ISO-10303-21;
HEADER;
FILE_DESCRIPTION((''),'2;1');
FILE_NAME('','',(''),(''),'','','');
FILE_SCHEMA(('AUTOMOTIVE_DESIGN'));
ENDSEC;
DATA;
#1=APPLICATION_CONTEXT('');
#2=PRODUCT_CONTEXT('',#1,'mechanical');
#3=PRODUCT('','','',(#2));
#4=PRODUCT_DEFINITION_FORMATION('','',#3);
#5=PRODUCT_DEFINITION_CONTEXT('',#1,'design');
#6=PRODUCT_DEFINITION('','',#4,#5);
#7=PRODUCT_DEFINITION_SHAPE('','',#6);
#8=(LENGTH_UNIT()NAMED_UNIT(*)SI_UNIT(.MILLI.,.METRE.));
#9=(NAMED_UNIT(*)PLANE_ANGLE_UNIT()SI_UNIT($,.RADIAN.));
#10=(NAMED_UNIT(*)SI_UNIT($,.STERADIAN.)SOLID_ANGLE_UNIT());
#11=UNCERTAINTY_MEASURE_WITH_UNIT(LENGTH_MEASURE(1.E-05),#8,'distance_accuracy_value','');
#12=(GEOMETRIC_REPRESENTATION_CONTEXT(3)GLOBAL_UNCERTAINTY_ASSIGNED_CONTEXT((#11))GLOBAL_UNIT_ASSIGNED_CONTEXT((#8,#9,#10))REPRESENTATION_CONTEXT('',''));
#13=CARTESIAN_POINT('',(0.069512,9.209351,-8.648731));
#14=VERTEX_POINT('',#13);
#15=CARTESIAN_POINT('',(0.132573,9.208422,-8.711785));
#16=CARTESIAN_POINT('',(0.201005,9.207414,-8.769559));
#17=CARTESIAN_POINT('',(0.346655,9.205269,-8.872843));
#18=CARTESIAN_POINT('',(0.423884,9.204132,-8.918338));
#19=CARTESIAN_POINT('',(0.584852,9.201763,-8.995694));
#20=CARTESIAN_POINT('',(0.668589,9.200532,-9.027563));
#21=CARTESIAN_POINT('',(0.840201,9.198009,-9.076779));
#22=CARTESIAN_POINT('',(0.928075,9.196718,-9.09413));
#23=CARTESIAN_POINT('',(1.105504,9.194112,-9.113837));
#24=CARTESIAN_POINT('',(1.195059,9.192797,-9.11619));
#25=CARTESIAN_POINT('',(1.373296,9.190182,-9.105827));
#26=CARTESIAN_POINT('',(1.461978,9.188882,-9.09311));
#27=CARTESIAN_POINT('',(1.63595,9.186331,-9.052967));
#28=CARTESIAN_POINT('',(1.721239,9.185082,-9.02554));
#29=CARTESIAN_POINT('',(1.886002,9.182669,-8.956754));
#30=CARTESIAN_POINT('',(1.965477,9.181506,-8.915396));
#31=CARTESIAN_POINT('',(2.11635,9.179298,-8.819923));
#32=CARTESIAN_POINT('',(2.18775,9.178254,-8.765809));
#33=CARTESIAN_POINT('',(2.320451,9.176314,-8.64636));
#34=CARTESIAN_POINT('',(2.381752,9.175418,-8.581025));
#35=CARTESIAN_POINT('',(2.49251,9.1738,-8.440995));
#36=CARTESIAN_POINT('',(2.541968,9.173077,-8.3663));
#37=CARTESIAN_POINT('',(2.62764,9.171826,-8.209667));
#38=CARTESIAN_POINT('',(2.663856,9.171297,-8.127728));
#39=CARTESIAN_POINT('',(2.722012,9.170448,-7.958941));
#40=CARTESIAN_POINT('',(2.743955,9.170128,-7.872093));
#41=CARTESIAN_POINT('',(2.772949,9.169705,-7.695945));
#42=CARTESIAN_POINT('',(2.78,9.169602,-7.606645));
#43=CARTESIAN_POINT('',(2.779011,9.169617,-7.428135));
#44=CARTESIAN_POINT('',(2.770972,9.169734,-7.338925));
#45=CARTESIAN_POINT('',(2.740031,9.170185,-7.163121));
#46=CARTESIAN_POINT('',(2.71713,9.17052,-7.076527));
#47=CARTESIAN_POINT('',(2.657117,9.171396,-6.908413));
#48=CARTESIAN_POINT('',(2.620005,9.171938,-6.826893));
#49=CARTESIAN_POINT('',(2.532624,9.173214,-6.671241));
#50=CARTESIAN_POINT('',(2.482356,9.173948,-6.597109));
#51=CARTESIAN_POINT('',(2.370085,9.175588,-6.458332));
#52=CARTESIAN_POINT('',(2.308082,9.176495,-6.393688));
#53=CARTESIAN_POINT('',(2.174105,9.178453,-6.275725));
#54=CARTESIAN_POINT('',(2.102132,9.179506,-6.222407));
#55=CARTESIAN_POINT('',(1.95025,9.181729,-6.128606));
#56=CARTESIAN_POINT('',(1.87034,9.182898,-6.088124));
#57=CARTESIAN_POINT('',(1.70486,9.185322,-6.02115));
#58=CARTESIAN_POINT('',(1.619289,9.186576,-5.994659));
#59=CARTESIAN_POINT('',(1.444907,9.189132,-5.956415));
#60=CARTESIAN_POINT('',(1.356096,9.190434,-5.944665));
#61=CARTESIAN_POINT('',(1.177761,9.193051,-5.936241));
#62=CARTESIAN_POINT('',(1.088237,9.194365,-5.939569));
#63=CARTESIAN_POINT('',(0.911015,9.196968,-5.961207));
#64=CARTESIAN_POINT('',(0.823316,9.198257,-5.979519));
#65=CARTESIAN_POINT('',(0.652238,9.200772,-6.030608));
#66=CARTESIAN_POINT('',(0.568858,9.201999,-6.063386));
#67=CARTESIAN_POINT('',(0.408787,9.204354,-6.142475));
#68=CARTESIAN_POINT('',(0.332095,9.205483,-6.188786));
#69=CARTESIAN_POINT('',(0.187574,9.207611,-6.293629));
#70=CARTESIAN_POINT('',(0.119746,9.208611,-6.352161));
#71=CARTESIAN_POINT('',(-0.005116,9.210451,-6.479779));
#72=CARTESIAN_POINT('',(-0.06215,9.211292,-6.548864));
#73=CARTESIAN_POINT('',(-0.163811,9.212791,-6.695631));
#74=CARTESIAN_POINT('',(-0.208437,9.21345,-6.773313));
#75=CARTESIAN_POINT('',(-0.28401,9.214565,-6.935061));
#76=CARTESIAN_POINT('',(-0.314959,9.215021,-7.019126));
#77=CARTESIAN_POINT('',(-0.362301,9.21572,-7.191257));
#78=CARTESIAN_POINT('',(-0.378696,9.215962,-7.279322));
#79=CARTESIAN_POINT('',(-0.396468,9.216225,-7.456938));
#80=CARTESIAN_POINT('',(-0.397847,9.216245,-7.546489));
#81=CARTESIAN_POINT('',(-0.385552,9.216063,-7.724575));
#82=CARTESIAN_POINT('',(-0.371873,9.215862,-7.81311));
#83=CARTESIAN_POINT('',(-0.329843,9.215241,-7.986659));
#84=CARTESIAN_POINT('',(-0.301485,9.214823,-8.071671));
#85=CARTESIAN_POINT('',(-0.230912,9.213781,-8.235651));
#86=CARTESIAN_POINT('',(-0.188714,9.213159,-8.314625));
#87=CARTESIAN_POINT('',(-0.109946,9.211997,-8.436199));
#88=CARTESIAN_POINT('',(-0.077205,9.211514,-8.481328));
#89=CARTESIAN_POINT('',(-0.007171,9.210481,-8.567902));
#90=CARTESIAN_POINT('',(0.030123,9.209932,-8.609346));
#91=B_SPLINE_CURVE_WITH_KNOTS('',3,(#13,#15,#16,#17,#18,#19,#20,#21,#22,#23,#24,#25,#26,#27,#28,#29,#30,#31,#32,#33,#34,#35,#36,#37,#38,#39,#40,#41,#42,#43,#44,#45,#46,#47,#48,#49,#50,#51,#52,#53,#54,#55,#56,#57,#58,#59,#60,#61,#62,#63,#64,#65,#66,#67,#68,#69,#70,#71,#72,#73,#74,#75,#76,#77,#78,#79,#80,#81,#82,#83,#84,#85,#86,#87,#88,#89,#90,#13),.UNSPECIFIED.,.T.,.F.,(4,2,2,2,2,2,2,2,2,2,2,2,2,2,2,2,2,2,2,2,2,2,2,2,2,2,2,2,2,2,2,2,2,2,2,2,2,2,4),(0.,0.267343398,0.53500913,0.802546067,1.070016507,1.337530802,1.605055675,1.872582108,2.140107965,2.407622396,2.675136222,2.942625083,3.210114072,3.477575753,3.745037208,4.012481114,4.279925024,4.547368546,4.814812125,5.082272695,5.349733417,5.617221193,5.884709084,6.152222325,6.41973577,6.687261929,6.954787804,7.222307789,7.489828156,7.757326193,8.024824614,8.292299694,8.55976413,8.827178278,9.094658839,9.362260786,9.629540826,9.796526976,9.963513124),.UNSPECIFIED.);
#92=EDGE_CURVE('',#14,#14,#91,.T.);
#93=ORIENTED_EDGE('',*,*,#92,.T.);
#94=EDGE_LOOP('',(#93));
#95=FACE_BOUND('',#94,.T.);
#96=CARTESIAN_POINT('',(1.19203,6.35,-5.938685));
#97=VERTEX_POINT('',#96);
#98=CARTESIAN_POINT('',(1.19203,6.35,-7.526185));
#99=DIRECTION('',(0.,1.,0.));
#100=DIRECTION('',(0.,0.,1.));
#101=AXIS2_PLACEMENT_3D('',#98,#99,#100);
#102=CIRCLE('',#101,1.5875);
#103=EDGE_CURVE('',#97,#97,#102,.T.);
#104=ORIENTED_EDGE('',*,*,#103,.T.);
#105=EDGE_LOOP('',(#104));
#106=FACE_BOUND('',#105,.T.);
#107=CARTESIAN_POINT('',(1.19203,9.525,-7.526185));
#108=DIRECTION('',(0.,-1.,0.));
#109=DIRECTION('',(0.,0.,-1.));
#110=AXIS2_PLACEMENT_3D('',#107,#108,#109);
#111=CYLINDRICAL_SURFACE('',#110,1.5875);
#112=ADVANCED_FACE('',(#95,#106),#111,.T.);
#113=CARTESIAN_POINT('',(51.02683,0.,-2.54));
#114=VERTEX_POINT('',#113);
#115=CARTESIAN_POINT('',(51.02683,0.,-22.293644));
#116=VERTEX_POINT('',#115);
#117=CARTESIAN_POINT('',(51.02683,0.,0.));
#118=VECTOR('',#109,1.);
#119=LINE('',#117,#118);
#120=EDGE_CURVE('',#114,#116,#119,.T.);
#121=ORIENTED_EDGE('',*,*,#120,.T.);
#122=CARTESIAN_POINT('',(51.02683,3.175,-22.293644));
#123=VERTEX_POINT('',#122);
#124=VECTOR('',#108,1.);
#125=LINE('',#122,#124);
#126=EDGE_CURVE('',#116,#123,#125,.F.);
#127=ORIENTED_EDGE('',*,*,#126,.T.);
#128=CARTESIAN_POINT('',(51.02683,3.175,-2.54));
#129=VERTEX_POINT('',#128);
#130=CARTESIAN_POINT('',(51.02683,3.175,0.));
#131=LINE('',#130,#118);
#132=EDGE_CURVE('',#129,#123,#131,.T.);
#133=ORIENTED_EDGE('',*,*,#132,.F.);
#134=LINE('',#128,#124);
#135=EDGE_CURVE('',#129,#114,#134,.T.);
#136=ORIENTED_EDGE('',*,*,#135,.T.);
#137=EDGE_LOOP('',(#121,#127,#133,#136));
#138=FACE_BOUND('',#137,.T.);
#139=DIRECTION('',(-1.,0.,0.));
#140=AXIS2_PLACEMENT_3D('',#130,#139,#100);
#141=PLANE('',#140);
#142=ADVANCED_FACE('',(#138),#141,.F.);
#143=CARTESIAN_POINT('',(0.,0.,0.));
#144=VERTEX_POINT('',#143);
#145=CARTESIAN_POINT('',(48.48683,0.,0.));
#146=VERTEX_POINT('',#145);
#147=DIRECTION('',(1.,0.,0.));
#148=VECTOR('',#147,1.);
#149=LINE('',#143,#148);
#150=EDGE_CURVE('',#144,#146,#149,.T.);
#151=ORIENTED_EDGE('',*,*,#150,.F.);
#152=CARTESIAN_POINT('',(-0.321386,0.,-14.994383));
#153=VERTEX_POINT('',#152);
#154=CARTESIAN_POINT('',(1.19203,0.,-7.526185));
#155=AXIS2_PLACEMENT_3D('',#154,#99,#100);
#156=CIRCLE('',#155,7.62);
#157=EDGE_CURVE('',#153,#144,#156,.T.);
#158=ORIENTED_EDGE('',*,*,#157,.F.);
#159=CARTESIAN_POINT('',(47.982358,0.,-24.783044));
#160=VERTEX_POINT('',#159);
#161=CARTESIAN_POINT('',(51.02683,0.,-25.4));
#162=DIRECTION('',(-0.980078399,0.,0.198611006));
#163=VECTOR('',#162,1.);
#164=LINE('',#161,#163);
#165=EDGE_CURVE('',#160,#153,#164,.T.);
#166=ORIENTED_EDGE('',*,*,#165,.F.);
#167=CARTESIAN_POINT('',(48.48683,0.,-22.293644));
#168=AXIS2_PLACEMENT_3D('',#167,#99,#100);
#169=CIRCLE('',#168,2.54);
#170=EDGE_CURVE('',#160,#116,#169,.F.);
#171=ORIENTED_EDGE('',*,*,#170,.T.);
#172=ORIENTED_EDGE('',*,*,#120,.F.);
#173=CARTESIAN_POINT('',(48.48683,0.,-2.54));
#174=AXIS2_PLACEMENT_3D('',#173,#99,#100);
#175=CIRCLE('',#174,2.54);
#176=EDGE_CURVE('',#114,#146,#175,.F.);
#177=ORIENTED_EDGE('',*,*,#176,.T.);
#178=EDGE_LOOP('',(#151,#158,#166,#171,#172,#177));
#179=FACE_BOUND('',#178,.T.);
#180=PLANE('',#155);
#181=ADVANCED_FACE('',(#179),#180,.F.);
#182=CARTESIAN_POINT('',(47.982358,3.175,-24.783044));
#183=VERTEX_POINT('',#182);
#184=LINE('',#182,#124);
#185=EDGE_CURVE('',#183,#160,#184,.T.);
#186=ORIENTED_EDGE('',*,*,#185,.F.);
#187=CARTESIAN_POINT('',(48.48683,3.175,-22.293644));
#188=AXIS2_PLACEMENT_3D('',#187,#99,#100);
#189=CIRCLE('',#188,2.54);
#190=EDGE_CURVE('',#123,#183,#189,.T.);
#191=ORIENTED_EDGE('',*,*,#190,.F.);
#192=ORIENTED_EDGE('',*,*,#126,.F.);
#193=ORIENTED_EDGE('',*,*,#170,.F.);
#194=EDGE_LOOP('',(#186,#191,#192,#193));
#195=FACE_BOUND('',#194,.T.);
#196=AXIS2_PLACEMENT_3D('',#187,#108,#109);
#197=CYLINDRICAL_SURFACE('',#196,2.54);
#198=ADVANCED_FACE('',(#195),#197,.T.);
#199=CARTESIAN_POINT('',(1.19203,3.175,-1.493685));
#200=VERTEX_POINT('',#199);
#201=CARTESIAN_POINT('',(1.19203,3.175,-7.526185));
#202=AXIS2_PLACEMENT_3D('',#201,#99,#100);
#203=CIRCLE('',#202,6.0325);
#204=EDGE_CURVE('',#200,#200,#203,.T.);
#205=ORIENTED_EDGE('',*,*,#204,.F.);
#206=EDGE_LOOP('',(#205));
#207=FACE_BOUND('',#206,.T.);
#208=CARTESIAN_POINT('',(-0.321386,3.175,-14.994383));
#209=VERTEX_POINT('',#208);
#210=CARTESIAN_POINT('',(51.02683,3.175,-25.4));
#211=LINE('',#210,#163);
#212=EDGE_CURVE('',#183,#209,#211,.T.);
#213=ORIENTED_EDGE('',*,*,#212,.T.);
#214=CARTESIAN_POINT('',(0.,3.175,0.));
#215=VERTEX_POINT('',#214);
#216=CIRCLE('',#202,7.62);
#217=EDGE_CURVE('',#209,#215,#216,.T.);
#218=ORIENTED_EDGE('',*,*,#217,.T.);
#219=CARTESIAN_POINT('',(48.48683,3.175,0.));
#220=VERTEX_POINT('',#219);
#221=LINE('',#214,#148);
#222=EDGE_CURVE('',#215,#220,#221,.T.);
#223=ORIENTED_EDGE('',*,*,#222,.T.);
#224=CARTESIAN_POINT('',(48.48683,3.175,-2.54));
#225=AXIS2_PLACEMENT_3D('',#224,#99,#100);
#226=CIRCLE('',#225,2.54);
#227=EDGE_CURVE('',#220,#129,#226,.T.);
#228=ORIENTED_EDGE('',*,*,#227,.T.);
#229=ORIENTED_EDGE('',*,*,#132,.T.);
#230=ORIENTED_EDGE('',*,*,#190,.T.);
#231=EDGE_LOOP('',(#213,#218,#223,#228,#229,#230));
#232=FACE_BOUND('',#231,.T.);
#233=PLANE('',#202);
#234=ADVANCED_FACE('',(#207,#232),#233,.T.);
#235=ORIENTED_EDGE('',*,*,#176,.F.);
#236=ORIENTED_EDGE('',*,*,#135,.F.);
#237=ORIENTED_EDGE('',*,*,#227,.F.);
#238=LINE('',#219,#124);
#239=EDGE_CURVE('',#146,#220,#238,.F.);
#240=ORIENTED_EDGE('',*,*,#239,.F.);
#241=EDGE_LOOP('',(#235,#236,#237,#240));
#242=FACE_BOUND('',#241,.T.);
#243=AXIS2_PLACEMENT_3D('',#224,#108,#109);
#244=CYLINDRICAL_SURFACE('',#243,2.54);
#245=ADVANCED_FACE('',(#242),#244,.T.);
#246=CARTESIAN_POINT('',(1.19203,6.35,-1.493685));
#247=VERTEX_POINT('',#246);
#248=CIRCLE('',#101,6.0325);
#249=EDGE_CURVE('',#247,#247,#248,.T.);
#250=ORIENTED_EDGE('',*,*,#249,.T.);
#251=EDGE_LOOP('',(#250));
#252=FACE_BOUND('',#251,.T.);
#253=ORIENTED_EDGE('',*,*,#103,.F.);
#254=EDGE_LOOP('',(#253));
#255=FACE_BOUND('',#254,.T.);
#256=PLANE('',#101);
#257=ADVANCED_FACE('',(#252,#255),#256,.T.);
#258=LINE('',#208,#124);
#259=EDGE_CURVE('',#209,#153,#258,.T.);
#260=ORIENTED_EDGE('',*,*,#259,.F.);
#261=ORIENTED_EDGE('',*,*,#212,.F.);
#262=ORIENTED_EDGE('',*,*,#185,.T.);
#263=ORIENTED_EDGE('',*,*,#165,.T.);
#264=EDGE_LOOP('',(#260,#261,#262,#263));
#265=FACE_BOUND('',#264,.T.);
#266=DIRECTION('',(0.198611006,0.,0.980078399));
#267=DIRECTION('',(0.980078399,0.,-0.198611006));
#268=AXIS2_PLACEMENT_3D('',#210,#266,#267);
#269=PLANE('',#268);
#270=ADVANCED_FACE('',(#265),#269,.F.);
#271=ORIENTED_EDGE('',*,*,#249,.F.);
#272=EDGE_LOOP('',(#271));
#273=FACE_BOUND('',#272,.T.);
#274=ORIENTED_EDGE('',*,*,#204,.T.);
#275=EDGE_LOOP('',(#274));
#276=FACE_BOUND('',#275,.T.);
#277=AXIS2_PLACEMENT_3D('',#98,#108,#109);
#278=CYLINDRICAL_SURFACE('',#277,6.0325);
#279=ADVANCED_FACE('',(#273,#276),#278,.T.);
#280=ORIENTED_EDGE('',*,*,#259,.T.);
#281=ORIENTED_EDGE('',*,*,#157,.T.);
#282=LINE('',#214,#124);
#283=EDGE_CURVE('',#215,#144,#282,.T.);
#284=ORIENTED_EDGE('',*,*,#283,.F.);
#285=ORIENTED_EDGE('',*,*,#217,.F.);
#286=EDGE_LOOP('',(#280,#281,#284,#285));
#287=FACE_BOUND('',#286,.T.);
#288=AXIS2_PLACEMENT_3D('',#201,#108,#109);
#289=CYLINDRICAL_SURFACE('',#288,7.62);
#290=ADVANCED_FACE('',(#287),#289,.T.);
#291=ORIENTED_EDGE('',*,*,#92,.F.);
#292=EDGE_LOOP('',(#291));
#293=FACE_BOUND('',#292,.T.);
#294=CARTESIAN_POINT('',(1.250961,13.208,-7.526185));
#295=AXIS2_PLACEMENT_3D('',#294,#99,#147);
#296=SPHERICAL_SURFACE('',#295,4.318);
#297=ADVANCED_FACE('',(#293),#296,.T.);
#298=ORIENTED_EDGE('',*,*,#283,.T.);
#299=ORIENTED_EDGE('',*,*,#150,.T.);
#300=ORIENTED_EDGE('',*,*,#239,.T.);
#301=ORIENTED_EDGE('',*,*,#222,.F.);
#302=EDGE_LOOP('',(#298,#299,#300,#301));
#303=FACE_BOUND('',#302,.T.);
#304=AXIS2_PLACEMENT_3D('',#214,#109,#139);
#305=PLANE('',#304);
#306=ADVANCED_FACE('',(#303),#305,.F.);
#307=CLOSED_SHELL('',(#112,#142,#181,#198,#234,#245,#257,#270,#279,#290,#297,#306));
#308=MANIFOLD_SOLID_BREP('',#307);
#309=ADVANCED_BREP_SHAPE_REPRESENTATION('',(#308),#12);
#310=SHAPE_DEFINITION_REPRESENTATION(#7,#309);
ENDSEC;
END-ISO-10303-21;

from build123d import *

# Parameters (mm, degrees)
BOSS_EXTRUDE1_DEPTH = 3.175
SKETCH2_R           = 6.0325
BOSS_EXTRUDE2_DEPTH = 3.175
SKETCH3_R           = 1.5875
BOSS_EXTRUDE3_DEPTH = 3.175
FILLET1_R           = 2.54


with BuildPart() as part:
    # Sketch1 → Boss-Extrude1 (new body)
    with BuildSketch(Plane(origin=(0, 0, 0), x_dir=(1, 0, 0), z_dir=(0, 1, 0))):
        with BuildLine():
            Line((0, 0), (51.026830118, 0))
            Line((51.026830118, 0), (51.026830118, 25.4))
            Line((51.026830118, 25.4), (-0.321385748, 14.994382636))
            ThreePointArc((-0.321385748, 14.994382636), (-6.426220151, 7.362897615), (0, 0))
        make_face()
    extrude(amount=BOSS_EXTRUDE1_DEPTH)

    # Sketch2 → Boss-Extrude2 (add)
    with BuildSketch(Plane(origin=(0, 3.175, 0), x_dir=(1, 0, 0), z_dir=(0, 1, 0))):
        with Locations(Location((1.192030118, 7.526185235, 0), (0, 0, 270))):
            Circle(SKETCH2_R)
    extrude(amount=BOSS_EXTRUDE2_DEPTH)

    # Sketch3 → Boss-Extrude3 (add)
    with BuildSketch(Plane(origin=(0, 6.35, 0), x_dir=(1, 0, 0), z_dir=(0, 1, 0))):
        with Locations(Location((1.192030118, 7.526185235, 0), (0, 0, 270))):
            Circle(SKETCH3_R)
    extrude(amount=BOSS_EXTRUDE3_DEPTH)

    # Sketch5 → Revolve1 (revolve)
    with BuildSketch(Plane.XY.offset(-7.526185235)):
        with BuildLine():
            Line((1.250961313, 17.526), (1.250961313, 8.89))
            ThreePointArc((1.250961313, 8.89), (-3.067038687, 13.208), (1.250961313, 17.526))
        make_face()
    revolve(axis=Axis((1.250961313, 17.526, -7.526185235), (0, -1, 0)))

    # Fillet1
    fillet1_edges = [part.edges().sort_by_distance(p)[0] for p in [
        (51.026830118, 1.5875, 0),
        (51.026830118, 1.5875, -25.4),
    ]]
    fillet(fillet1_edges, radius=FILLET1_R)


solid = part.part
